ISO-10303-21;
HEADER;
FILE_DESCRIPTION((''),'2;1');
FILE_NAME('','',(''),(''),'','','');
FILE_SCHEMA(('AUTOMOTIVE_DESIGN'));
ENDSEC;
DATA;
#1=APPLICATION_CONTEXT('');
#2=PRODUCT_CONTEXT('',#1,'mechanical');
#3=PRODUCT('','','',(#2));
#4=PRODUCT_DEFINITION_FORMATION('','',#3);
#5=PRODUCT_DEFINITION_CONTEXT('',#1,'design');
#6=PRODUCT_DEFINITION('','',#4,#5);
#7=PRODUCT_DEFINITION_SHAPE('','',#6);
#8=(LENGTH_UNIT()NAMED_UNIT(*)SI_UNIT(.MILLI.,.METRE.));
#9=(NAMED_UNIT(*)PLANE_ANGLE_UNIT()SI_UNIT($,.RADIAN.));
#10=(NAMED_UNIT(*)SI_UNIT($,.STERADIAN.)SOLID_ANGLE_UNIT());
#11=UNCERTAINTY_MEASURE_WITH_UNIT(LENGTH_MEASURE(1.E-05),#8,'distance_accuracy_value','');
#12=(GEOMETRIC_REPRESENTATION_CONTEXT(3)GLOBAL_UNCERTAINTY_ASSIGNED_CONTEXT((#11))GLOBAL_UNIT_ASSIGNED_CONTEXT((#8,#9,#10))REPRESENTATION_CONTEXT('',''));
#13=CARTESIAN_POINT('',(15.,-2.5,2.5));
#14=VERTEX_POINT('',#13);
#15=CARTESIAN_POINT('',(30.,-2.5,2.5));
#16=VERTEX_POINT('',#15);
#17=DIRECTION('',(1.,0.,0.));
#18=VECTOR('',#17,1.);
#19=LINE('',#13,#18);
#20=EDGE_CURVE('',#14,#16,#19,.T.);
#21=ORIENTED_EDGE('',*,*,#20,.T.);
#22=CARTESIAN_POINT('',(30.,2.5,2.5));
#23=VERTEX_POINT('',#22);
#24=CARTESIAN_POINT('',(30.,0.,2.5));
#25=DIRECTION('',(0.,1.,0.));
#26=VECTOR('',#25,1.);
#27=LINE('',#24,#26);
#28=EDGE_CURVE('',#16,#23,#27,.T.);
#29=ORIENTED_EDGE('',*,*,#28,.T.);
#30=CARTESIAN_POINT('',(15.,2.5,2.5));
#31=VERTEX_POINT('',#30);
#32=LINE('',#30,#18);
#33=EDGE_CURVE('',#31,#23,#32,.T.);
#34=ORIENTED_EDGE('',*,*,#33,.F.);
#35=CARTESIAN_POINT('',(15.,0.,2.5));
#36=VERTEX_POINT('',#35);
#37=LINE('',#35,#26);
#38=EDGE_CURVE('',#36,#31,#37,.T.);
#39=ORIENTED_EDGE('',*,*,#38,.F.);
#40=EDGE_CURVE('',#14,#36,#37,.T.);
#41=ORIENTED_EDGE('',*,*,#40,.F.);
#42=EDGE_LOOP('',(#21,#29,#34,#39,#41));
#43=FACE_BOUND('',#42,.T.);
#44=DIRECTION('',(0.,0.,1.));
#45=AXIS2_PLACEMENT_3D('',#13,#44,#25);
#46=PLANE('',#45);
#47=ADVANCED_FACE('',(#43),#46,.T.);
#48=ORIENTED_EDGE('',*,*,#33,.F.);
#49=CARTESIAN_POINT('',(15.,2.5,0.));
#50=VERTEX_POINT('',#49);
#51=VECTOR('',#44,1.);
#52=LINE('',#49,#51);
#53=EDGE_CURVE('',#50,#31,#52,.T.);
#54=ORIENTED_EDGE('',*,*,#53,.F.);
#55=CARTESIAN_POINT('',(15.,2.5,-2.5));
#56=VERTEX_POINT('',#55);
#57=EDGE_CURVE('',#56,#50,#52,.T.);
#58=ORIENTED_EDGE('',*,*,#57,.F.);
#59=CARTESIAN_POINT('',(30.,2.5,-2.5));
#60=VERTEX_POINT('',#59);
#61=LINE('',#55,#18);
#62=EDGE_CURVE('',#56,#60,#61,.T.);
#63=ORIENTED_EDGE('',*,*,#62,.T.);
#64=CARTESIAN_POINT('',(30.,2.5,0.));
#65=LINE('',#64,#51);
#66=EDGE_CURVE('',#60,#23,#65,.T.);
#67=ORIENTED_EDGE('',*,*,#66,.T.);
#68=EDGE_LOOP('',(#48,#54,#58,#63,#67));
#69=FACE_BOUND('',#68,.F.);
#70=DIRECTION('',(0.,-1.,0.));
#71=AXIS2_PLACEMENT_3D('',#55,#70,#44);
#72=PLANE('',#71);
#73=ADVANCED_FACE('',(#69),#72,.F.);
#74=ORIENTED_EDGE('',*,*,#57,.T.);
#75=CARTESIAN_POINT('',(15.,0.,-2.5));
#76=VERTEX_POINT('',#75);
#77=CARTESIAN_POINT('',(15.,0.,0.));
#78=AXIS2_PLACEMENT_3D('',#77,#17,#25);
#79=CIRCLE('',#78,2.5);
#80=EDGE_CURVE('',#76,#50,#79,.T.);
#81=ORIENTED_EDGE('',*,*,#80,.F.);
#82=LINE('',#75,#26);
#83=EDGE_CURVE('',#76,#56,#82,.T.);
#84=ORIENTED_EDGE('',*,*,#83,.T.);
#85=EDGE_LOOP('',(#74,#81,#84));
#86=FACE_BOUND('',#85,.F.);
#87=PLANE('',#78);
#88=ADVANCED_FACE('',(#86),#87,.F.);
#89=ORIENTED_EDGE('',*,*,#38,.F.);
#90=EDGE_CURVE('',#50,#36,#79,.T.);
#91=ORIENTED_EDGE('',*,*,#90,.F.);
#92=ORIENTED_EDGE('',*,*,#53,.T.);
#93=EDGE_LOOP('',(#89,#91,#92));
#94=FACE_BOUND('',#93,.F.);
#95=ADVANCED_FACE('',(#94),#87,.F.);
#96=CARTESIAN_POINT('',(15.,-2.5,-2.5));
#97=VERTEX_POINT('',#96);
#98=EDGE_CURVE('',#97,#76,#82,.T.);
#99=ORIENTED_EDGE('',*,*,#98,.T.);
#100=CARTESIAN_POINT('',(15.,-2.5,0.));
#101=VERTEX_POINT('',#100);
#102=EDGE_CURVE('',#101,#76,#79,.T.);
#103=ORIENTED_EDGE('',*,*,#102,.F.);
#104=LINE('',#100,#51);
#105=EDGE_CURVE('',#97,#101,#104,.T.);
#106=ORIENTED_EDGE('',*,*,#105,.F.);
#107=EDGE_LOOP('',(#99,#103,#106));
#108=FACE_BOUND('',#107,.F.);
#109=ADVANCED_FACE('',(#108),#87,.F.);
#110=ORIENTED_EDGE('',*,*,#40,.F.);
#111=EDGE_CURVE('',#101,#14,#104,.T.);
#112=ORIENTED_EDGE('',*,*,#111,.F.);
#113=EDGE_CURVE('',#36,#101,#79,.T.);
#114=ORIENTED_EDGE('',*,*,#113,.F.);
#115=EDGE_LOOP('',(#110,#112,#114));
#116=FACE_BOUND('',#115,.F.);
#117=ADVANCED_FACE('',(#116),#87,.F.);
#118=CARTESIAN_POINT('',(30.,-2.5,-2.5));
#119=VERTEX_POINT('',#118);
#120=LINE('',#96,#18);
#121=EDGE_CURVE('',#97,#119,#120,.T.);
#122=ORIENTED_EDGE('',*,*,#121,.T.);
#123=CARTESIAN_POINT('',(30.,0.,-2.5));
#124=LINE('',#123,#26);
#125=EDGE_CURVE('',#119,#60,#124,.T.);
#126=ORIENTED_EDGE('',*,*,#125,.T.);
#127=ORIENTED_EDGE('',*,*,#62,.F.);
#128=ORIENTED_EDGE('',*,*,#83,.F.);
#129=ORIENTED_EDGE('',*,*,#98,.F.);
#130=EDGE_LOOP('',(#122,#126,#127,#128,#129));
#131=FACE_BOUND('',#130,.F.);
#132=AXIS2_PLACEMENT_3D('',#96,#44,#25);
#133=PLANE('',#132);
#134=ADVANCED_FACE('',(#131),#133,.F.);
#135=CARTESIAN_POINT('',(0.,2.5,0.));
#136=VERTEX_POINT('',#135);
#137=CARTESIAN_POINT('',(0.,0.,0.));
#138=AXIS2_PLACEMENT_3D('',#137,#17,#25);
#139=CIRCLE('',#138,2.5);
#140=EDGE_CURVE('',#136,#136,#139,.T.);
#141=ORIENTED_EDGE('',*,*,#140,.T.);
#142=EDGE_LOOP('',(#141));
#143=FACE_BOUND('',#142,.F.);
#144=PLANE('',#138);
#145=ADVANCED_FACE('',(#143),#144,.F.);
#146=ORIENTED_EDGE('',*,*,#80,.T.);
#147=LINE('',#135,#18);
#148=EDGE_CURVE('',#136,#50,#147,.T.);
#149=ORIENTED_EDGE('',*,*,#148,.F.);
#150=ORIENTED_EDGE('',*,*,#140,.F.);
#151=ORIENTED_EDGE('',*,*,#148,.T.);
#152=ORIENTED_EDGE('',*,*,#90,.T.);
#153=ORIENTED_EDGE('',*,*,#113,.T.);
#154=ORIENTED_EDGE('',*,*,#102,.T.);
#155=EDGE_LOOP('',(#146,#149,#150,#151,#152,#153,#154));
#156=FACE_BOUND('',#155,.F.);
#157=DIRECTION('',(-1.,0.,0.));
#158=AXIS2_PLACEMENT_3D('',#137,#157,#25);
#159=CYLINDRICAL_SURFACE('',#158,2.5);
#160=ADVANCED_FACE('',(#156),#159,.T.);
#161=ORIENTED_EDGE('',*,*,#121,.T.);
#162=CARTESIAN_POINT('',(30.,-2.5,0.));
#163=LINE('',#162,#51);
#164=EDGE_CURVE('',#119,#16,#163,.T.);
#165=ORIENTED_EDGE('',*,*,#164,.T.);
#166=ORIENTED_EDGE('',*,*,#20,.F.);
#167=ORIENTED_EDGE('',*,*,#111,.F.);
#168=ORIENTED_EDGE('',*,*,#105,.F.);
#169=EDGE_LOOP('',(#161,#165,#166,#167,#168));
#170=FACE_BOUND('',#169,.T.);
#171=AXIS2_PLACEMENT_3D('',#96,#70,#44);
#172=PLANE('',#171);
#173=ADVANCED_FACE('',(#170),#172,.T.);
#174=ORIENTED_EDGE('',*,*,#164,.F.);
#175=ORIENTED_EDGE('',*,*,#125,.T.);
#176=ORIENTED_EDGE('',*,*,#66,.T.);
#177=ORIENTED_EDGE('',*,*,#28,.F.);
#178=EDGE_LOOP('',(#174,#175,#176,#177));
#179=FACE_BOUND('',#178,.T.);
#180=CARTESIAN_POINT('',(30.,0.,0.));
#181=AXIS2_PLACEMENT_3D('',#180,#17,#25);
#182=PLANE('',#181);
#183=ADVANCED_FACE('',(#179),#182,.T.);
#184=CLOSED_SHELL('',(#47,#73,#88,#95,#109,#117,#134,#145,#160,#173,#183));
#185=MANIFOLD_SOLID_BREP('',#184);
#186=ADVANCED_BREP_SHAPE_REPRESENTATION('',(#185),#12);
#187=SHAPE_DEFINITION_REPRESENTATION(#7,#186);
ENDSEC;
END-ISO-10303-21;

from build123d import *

# Parameters (mm, degrees)
F0_R     = 2.5
F1_DEPTH = 15
F2_W     = 5
F2_H     = 5
F3_DEPTH = 15


with BuildPart() as f1:
    # F0 (on Right) → F1 (new body)
    with BuildSketch(Plane.YZ):
        Circle(F0_R)
    extrude(amount=F1_DEPTH)

    # F2 (on face) → F3 (join)
    with BuildSketch(Plane.YZ.offset(15)):
        Rectangle(F2_W, F2_H)
    extrude(amount=F3_DEPTH)


solid = f1.part
